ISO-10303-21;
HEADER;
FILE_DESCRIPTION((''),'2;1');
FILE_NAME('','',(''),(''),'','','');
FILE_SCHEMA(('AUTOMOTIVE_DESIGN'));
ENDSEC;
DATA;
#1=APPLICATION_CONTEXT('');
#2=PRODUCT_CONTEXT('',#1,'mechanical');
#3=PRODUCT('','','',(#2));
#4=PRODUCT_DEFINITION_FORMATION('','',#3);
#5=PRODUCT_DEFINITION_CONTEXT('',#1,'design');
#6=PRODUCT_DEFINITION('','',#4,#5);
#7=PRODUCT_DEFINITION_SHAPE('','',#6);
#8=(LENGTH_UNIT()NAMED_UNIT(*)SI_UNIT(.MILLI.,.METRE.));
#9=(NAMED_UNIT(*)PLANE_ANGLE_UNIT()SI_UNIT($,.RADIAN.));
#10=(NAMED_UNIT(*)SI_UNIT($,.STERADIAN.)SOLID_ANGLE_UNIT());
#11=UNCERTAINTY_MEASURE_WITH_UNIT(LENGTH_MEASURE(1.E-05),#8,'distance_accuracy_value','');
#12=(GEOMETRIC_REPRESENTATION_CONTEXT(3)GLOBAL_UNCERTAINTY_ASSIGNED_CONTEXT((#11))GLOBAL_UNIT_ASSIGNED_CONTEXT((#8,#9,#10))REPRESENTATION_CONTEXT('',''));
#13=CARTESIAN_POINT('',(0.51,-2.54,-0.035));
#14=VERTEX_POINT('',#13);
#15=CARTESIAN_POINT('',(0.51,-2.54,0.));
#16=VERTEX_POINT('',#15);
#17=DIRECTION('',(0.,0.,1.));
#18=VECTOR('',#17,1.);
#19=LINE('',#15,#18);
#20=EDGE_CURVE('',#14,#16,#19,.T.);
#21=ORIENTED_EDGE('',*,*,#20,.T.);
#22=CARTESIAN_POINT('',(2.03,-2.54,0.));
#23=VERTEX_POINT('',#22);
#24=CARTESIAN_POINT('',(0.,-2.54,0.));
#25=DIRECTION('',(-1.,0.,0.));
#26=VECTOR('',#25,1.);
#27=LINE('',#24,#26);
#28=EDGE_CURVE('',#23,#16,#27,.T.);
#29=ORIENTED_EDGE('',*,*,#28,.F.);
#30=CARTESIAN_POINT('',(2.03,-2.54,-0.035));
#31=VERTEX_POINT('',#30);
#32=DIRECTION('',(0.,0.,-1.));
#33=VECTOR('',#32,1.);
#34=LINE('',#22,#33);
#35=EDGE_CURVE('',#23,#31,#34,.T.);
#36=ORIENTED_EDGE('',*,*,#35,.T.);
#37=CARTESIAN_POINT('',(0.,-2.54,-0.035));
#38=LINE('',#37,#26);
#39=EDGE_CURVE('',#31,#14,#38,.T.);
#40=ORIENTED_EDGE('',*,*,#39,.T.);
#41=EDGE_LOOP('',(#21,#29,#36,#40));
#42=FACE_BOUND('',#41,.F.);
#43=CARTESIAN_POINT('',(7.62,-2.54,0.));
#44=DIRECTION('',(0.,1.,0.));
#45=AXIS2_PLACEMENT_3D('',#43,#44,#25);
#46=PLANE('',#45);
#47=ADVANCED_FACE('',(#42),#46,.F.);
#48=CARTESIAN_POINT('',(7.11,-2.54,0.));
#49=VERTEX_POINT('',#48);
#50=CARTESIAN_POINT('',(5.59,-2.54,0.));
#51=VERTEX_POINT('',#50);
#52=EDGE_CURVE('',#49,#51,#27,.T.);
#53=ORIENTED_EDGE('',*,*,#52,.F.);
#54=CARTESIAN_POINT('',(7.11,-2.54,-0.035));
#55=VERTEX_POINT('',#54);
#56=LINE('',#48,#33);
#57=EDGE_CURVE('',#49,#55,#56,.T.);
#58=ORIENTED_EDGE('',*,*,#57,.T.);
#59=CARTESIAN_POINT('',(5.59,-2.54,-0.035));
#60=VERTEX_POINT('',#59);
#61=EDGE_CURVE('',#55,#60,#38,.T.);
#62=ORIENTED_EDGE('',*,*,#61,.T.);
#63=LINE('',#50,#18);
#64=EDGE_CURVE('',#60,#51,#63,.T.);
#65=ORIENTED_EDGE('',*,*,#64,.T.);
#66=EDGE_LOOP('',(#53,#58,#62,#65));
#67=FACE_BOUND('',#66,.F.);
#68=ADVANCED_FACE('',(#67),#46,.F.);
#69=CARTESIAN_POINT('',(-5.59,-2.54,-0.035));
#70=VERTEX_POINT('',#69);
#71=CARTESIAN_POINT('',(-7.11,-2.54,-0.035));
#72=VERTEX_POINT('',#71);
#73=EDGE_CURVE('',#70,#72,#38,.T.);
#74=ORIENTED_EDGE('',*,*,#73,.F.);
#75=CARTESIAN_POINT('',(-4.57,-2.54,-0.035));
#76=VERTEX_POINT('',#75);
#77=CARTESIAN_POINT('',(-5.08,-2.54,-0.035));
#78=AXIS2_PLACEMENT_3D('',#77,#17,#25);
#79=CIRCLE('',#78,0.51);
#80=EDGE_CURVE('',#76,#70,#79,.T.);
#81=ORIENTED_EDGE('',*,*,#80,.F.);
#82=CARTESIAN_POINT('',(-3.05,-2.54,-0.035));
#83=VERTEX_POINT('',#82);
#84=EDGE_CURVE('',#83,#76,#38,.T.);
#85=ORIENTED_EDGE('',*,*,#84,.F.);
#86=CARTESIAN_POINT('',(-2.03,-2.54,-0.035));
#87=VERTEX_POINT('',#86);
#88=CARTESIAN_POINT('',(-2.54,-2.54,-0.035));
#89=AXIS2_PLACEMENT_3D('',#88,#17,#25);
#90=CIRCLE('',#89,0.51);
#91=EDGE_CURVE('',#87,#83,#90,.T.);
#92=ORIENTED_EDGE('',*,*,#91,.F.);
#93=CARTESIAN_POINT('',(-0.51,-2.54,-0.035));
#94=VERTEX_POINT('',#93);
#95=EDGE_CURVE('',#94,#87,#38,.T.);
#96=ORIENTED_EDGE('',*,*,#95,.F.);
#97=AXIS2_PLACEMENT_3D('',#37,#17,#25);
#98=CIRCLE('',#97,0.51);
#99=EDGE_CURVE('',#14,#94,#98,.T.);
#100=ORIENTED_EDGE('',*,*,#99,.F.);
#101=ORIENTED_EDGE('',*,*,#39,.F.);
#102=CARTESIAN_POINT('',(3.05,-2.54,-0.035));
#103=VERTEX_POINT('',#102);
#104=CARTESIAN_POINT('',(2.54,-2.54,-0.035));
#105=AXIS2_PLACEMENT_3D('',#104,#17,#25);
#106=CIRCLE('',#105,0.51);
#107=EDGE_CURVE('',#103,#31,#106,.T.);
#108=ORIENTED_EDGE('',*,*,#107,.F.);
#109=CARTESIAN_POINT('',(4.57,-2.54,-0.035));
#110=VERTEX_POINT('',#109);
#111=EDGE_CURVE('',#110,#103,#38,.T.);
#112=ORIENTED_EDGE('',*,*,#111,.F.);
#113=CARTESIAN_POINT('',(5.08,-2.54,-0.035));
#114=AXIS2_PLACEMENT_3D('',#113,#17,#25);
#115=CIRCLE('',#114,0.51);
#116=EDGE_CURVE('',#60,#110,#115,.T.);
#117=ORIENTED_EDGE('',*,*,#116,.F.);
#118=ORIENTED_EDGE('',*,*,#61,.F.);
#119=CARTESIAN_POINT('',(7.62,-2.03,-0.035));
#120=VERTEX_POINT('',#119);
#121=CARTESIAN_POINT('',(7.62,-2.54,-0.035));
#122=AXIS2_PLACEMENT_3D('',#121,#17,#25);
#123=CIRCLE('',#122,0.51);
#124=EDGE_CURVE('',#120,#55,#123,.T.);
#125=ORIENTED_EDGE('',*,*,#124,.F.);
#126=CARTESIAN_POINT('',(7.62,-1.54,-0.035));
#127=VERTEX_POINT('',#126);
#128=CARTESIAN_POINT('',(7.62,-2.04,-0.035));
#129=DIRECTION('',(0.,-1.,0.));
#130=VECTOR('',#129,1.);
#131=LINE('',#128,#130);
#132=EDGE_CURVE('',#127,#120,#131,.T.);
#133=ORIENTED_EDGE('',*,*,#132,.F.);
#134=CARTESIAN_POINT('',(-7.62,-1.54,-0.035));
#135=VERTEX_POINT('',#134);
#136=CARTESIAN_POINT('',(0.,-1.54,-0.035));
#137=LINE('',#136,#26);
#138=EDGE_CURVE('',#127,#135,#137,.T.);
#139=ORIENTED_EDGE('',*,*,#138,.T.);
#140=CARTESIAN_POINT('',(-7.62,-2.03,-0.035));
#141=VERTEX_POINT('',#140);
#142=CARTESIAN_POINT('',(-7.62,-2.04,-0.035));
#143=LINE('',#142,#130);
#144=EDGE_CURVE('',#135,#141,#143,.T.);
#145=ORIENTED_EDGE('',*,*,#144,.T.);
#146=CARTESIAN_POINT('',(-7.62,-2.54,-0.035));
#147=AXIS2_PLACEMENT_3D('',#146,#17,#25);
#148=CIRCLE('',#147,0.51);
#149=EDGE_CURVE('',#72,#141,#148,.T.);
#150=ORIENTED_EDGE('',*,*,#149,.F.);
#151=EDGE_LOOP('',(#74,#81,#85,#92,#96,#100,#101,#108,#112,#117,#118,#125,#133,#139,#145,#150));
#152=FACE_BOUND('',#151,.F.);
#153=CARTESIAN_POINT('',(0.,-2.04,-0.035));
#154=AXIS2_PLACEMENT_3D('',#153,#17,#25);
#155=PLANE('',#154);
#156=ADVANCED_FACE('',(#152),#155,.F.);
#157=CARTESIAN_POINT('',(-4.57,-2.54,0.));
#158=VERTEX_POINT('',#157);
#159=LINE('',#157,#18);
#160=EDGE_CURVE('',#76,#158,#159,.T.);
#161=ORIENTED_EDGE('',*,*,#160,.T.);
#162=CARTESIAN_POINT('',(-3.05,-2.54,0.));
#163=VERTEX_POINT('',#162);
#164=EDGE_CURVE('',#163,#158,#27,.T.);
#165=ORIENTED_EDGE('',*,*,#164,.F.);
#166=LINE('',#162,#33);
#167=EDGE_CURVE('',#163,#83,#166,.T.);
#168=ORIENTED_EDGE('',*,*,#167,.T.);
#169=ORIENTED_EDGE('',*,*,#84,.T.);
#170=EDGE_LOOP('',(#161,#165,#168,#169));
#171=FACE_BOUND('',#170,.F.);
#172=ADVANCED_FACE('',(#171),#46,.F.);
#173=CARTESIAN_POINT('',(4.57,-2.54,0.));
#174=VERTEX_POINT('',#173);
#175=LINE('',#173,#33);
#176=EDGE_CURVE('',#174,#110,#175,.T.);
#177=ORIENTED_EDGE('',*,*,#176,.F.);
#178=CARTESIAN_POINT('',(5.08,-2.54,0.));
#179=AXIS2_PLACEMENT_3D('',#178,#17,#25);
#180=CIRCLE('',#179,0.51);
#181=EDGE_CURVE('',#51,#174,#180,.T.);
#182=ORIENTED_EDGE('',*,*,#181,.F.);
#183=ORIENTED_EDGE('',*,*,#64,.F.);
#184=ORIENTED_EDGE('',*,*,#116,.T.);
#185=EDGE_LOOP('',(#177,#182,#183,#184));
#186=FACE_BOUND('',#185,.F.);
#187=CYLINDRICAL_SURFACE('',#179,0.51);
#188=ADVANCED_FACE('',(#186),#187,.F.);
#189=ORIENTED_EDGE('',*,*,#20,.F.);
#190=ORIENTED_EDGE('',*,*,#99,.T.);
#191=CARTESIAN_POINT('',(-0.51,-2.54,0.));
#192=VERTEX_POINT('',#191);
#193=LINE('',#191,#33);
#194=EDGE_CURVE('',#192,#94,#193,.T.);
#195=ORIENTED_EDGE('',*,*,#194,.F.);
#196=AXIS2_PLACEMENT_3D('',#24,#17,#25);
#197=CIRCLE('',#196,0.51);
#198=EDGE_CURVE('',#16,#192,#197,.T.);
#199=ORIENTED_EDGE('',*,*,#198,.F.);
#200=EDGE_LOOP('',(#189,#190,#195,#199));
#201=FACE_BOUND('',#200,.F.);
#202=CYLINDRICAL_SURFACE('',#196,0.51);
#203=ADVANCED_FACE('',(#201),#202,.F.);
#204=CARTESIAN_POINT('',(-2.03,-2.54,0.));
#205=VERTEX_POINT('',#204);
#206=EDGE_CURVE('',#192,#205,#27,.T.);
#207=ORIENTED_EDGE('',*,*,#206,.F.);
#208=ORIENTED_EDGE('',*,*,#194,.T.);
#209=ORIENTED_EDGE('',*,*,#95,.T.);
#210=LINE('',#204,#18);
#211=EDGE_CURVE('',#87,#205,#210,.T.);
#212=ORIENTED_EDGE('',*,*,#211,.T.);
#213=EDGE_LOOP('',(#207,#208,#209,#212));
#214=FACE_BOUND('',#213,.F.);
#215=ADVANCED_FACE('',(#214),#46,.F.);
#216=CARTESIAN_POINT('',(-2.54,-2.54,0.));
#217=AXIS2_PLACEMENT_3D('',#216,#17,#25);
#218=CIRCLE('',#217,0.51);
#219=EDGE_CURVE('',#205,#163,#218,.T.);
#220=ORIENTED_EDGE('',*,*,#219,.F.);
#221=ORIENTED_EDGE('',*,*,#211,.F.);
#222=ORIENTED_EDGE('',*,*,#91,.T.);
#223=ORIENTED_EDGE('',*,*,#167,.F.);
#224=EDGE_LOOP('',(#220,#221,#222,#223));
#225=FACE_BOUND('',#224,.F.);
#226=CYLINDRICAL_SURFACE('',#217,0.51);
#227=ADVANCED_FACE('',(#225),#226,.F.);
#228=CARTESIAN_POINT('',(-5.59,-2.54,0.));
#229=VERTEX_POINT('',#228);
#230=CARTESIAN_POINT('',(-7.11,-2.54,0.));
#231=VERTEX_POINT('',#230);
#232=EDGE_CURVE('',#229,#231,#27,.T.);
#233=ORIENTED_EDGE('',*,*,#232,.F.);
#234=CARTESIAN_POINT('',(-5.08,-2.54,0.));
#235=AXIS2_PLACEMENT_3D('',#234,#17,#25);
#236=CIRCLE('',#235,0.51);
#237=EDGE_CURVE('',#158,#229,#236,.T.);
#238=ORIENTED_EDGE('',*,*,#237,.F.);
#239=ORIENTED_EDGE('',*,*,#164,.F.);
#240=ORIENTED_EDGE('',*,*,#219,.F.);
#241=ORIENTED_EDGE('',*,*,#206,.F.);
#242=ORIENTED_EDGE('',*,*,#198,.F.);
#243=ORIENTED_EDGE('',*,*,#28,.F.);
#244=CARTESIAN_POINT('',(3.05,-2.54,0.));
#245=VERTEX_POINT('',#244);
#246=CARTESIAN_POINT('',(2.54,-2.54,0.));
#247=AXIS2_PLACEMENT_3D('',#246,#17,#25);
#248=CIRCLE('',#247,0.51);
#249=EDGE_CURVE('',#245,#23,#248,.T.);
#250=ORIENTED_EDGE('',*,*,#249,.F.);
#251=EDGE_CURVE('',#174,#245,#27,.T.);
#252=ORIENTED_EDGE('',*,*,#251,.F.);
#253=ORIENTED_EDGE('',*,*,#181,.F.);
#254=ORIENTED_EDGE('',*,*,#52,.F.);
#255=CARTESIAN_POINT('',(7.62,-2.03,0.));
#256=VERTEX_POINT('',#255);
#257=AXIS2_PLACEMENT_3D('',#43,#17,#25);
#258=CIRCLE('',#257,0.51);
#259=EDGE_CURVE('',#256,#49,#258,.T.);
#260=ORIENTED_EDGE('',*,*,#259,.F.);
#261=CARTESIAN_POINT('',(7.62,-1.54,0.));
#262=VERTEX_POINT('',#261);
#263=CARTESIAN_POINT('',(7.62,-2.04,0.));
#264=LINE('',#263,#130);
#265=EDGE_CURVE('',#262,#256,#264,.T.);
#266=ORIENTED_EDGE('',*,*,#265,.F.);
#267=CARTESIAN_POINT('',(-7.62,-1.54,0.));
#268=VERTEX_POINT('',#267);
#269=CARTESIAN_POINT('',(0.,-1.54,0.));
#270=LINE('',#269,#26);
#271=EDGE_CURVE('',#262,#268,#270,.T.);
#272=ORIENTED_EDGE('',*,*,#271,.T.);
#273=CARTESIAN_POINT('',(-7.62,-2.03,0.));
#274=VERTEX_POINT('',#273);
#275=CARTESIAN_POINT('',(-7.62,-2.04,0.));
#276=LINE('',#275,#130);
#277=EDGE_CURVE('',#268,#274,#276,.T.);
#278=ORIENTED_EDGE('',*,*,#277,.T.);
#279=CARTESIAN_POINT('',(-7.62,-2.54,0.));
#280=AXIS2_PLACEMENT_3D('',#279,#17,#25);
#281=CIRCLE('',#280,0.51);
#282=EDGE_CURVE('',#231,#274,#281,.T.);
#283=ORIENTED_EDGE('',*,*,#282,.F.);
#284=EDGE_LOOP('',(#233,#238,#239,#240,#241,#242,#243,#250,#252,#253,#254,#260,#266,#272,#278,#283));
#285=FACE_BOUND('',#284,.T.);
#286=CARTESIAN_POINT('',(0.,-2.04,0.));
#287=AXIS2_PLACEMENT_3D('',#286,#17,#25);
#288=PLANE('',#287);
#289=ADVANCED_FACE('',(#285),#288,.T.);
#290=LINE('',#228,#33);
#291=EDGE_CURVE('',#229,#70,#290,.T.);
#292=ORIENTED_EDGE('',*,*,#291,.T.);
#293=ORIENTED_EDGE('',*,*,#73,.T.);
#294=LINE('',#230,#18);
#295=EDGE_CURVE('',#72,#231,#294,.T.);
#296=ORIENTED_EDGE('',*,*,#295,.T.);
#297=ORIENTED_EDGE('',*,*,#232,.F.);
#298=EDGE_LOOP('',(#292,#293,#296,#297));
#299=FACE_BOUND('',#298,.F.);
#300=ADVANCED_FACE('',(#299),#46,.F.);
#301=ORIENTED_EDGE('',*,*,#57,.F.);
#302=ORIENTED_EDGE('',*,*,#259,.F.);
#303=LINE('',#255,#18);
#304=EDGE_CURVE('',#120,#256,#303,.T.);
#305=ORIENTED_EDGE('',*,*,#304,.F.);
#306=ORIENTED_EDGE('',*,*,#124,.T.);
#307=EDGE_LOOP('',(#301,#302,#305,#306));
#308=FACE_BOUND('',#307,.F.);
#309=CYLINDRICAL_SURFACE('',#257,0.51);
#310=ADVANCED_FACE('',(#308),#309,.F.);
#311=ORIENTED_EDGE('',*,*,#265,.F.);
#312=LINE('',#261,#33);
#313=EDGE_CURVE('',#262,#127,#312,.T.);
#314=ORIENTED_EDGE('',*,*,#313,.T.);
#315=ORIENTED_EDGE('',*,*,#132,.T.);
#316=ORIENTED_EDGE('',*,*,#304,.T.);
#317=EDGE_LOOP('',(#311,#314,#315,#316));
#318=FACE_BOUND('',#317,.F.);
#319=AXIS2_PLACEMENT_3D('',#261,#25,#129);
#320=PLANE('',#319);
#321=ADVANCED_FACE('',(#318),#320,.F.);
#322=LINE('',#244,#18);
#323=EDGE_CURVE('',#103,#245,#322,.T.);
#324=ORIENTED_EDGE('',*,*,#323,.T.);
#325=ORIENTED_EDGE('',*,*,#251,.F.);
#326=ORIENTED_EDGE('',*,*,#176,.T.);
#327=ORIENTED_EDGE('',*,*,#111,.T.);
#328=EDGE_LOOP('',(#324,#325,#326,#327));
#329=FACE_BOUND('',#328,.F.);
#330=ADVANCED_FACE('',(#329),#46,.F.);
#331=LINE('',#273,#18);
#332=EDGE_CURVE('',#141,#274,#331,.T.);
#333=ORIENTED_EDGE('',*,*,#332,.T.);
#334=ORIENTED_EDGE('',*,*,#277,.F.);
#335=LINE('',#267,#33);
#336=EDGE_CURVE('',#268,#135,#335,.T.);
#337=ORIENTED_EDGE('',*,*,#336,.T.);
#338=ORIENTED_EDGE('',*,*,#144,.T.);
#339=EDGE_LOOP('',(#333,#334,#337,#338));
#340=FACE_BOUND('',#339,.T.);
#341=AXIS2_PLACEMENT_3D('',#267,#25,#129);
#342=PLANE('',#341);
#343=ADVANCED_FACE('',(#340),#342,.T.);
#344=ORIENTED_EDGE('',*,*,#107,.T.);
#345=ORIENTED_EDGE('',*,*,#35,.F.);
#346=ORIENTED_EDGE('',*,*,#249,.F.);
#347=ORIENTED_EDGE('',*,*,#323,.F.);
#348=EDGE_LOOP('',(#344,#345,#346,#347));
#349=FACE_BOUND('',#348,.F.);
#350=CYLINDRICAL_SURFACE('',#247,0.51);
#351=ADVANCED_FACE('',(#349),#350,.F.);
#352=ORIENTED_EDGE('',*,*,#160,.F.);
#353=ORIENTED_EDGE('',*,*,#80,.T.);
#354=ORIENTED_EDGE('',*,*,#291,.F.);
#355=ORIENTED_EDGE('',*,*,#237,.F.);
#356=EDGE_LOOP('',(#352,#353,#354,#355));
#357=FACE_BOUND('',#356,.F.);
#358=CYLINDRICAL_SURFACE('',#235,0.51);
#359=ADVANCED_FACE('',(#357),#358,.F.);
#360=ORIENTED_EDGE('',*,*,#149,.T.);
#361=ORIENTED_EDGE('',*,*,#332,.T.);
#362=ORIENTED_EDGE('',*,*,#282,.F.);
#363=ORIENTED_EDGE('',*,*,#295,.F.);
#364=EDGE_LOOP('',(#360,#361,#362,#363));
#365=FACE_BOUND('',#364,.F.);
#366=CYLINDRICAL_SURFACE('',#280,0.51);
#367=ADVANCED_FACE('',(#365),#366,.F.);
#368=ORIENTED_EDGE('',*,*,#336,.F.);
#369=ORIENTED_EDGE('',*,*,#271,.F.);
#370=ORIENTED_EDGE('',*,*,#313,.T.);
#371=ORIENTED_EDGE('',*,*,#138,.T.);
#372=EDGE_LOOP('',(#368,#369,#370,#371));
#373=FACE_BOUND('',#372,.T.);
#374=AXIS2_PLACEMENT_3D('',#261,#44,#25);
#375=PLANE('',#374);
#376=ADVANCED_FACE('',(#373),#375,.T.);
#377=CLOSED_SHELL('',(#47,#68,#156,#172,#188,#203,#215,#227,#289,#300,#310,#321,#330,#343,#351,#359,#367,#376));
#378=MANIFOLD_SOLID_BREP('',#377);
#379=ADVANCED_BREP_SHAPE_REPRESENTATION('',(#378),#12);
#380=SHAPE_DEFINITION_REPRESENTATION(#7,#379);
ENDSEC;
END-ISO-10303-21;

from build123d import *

# Parameters (mm, degrees)
SKETCH004_W             = 15.24
SKETCH004_H             = 1
PAD002_DEPTH            = 0.035
SKETCH005_R             = 0.51
POCKET002_DEPTH         = 0.036
LINEARPATTERN005_COUNT  = 7
LINEARPATTERN005_PITCH  = 2.54
BODY004_PLACEMENT_ANGLE = 180


with BuildPart() as part:
    # Sketch004 → Pad002 (new body)
    with BuildSketch(Plane.XY):
        with Locations((0, 2.04)):
            Rectangle(SKETCH004_W, SKETCH004_H)
    extrude(amount=-PAD002_DEPTH)

    # Sketch005 → Pocket002 (cut, through all)
    with BuildSketch(Plane.XY):
        with Locations((-7.62, 2.54)):
            Circle(SKETCH005_R)
    pocket002 = extrude(amount=-POCKET002_DEPTH, mode=Mode.SUBTRACT)

    # LinearPattern005: Pocket002 ×7
    with Locations(*[(i * LINEARPATTERN005_PITCH, 0, 0) for i in range(1, LINEARPATTERN005_COUNT)]):
        add(pocket002, mode=Mode.SUBTRACT)


with BuildPart() as part_1:
    # Body004 placement: moved
    add(part.part.rotate(Axis((0, 0, 0), (0, 0, 1)), BODY004_PLACEMENT_ANGLE))


solid = part_1.part
